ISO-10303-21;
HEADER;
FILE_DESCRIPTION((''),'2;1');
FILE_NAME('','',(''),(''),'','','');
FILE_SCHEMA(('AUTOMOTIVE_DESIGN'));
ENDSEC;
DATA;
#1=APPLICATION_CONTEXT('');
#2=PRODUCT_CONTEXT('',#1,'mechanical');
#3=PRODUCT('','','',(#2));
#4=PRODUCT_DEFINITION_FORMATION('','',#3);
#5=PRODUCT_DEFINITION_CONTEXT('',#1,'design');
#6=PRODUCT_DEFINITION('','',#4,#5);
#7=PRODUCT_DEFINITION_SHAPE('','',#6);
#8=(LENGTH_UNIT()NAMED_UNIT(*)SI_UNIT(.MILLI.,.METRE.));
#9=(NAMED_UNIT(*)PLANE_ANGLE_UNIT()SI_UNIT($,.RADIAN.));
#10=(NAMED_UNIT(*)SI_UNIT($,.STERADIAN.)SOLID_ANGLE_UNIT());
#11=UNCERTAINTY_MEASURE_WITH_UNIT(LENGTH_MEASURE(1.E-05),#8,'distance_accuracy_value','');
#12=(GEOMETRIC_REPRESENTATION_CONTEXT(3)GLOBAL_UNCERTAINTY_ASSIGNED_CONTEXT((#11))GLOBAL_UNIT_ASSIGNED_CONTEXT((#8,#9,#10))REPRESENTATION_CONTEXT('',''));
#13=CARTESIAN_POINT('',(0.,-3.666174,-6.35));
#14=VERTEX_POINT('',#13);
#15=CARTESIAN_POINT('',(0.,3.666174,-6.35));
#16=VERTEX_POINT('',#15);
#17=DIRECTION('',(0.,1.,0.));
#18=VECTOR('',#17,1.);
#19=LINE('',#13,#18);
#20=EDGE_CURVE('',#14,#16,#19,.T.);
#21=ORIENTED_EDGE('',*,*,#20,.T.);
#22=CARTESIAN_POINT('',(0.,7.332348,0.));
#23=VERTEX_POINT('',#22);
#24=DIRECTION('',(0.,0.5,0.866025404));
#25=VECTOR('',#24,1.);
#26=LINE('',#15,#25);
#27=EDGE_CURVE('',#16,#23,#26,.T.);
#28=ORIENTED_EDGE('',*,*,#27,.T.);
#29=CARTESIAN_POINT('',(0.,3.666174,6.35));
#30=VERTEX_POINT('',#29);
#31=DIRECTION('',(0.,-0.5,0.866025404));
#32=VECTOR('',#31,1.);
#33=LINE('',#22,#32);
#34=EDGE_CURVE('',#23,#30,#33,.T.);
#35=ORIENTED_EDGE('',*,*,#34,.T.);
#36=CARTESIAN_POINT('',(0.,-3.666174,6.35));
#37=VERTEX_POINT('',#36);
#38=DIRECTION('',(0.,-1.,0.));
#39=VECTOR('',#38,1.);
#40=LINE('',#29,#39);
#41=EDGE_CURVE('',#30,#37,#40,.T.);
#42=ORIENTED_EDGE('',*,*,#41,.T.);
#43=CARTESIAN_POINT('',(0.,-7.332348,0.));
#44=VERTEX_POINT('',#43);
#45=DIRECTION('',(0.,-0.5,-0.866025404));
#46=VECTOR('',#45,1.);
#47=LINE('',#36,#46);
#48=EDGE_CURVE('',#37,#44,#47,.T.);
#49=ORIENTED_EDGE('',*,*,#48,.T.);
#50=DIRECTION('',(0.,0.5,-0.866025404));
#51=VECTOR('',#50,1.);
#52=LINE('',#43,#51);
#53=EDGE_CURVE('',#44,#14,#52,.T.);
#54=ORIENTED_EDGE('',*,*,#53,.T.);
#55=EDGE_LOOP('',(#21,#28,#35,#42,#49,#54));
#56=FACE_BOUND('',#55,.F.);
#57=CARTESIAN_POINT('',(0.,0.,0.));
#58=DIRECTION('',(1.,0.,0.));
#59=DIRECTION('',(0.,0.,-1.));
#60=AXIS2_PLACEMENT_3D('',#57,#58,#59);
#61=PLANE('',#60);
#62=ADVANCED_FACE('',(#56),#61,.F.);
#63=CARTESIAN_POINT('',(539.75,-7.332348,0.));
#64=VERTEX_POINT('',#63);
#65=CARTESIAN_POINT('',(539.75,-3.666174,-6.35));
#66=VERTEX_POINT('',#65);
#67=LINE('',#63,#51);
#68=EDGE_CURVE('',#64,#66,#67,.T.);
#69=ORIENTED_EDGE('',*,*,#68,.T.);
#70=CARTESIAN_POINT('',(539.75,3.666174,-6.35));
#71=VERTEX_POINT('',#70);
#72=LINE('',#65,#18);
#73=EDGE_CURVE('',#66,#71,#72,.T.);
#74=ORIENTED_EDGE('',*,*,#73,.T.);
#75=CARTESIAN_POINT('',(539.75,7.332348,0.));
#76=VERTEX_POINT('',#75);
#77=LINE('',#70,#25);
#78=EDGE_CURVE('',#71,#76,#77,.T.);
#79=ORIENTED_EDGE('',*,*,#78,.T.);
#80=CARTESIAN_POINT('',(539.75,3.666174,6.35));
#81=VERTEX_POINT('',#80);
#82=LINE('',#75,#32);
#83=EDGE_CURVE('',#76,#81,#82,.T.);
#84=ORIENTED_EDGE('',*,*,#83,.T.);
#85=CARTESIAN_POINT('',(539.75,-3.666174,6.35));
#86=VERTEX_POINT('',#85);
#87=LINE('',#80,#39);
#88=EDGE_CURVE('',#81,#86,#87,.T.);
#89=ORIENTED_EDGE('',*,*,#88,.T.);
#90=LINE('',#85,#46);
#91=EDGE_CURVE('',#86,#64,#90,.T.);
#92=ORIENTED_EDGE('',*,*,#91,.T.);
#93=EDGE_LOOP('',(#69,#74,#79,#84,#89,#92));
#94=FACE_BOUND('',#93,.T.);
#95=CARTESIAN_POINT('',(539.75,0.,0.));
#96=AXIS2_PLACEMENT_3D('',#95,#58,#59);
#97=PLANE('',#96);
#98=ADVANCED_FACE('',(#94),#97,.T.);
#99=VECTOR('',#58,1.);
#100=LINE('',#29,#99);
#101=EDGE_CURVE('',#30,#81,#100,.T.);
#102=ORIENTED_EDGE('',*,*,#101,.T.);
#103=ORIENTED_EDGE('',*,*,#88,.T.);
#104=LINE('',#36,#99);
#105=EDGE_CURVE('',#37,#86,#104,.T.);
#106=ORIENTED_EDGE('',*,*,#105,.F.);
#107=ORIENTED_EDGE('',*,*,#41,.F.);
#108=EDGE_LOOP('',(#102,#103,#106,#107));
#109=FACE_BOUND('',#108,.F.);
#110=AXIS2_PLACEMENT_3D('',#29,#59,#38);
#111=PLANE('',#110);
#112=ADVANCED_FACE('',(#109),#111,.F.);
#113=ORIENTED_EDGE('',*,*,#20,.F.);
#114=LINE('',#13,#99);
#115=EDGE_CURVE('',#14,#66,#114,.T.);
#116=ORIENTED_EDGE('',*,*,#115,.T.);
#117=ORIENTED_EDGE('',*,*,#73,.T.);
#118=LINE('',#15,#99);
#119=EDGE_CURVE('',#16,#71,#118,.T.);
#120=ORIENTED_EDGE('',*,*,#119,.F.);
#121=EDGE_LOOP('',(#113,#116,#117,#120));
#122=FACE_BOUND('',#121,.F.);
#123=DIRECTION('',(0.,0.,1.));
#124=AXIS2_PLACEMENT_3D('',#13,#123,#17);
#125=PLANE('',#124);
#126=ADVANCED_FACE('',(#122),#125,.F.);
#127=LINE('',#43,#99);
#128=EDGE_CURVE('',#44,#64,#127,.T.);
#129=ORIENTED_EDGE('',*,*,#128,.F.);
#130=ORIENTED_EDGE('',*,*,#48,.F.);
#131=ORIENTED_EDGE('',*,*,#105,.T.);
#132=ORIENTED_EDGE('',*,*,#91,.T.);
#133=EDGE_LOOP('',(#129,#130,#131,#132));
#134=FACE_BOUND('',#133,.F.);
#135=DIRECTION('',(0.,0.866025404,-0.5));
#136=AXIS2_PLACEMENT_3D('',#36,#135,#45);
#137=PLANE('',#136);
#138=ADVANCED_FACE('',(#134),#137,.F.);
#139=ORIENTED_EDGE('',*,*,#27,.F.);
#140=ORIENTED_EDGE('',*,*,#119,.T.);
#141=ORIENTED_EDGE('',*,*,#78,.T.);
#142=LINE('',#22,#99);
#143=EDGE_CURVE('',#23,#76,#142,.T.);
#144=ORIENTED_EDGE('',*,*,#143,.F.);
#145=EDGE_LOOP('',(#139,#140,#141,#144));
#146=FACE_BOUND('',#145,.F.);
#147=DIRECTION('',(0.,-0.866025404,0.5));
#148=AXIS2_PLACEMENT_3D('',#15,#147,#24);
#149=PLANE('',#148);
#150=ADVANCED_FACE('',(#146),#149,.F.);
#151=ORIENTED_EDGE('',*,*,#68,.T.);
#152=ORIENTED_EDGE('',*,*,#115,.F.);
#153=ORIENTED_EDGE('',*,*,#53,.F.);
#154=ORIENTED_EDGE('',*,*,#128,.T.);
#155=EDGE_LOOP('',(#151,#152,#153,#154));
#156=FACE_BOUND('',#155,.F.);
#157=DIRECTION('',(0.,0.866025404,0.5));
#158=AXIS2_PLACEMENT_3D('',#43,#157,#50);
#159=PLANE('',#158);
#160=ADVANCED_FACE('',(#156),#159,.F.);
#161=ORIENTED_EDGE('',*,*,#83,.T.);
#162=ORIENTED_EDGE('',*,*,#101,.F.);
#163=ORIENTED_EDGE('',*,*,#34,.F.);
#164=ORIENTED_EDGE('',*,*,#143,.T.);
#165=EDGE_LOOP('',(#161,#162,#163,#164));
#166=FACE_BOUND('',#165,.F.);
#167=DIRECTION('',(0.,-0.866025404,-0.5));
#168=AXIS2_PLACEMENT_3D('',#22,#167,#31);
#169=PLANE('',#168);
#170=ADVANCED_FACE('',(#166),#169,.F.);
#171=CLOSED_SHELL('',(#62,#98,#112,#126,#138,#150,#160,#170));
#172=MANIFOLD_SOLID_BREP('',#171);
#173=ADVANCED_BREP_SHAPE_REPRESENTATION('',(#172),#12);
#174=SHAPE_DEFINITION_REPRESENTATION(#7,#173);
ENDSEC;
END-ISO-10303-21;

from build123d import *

# Parameters (mm, degrees)
BOSS_EXTRUDE1_DEPTH = 539.75


with BuildPart() as part:
    # Sketch1 → Boss-Extrude1 (new body)
    with BuildSketch(Plane(origin=(0, 0, 0), x_dir=(0, 0, -1), z_dir=(1, 0, 0))):
        Polygon((0, 7.332348419), (-6.35, 3.666174209), (-6.35, -3.666174209), (0, -7.332348419), (6.35, -3.666174209), (6.35, 3.666174209), align=None)
    extrude(amount=BOSS_EXTRUDE1_DEPTH)


solid = part.part
